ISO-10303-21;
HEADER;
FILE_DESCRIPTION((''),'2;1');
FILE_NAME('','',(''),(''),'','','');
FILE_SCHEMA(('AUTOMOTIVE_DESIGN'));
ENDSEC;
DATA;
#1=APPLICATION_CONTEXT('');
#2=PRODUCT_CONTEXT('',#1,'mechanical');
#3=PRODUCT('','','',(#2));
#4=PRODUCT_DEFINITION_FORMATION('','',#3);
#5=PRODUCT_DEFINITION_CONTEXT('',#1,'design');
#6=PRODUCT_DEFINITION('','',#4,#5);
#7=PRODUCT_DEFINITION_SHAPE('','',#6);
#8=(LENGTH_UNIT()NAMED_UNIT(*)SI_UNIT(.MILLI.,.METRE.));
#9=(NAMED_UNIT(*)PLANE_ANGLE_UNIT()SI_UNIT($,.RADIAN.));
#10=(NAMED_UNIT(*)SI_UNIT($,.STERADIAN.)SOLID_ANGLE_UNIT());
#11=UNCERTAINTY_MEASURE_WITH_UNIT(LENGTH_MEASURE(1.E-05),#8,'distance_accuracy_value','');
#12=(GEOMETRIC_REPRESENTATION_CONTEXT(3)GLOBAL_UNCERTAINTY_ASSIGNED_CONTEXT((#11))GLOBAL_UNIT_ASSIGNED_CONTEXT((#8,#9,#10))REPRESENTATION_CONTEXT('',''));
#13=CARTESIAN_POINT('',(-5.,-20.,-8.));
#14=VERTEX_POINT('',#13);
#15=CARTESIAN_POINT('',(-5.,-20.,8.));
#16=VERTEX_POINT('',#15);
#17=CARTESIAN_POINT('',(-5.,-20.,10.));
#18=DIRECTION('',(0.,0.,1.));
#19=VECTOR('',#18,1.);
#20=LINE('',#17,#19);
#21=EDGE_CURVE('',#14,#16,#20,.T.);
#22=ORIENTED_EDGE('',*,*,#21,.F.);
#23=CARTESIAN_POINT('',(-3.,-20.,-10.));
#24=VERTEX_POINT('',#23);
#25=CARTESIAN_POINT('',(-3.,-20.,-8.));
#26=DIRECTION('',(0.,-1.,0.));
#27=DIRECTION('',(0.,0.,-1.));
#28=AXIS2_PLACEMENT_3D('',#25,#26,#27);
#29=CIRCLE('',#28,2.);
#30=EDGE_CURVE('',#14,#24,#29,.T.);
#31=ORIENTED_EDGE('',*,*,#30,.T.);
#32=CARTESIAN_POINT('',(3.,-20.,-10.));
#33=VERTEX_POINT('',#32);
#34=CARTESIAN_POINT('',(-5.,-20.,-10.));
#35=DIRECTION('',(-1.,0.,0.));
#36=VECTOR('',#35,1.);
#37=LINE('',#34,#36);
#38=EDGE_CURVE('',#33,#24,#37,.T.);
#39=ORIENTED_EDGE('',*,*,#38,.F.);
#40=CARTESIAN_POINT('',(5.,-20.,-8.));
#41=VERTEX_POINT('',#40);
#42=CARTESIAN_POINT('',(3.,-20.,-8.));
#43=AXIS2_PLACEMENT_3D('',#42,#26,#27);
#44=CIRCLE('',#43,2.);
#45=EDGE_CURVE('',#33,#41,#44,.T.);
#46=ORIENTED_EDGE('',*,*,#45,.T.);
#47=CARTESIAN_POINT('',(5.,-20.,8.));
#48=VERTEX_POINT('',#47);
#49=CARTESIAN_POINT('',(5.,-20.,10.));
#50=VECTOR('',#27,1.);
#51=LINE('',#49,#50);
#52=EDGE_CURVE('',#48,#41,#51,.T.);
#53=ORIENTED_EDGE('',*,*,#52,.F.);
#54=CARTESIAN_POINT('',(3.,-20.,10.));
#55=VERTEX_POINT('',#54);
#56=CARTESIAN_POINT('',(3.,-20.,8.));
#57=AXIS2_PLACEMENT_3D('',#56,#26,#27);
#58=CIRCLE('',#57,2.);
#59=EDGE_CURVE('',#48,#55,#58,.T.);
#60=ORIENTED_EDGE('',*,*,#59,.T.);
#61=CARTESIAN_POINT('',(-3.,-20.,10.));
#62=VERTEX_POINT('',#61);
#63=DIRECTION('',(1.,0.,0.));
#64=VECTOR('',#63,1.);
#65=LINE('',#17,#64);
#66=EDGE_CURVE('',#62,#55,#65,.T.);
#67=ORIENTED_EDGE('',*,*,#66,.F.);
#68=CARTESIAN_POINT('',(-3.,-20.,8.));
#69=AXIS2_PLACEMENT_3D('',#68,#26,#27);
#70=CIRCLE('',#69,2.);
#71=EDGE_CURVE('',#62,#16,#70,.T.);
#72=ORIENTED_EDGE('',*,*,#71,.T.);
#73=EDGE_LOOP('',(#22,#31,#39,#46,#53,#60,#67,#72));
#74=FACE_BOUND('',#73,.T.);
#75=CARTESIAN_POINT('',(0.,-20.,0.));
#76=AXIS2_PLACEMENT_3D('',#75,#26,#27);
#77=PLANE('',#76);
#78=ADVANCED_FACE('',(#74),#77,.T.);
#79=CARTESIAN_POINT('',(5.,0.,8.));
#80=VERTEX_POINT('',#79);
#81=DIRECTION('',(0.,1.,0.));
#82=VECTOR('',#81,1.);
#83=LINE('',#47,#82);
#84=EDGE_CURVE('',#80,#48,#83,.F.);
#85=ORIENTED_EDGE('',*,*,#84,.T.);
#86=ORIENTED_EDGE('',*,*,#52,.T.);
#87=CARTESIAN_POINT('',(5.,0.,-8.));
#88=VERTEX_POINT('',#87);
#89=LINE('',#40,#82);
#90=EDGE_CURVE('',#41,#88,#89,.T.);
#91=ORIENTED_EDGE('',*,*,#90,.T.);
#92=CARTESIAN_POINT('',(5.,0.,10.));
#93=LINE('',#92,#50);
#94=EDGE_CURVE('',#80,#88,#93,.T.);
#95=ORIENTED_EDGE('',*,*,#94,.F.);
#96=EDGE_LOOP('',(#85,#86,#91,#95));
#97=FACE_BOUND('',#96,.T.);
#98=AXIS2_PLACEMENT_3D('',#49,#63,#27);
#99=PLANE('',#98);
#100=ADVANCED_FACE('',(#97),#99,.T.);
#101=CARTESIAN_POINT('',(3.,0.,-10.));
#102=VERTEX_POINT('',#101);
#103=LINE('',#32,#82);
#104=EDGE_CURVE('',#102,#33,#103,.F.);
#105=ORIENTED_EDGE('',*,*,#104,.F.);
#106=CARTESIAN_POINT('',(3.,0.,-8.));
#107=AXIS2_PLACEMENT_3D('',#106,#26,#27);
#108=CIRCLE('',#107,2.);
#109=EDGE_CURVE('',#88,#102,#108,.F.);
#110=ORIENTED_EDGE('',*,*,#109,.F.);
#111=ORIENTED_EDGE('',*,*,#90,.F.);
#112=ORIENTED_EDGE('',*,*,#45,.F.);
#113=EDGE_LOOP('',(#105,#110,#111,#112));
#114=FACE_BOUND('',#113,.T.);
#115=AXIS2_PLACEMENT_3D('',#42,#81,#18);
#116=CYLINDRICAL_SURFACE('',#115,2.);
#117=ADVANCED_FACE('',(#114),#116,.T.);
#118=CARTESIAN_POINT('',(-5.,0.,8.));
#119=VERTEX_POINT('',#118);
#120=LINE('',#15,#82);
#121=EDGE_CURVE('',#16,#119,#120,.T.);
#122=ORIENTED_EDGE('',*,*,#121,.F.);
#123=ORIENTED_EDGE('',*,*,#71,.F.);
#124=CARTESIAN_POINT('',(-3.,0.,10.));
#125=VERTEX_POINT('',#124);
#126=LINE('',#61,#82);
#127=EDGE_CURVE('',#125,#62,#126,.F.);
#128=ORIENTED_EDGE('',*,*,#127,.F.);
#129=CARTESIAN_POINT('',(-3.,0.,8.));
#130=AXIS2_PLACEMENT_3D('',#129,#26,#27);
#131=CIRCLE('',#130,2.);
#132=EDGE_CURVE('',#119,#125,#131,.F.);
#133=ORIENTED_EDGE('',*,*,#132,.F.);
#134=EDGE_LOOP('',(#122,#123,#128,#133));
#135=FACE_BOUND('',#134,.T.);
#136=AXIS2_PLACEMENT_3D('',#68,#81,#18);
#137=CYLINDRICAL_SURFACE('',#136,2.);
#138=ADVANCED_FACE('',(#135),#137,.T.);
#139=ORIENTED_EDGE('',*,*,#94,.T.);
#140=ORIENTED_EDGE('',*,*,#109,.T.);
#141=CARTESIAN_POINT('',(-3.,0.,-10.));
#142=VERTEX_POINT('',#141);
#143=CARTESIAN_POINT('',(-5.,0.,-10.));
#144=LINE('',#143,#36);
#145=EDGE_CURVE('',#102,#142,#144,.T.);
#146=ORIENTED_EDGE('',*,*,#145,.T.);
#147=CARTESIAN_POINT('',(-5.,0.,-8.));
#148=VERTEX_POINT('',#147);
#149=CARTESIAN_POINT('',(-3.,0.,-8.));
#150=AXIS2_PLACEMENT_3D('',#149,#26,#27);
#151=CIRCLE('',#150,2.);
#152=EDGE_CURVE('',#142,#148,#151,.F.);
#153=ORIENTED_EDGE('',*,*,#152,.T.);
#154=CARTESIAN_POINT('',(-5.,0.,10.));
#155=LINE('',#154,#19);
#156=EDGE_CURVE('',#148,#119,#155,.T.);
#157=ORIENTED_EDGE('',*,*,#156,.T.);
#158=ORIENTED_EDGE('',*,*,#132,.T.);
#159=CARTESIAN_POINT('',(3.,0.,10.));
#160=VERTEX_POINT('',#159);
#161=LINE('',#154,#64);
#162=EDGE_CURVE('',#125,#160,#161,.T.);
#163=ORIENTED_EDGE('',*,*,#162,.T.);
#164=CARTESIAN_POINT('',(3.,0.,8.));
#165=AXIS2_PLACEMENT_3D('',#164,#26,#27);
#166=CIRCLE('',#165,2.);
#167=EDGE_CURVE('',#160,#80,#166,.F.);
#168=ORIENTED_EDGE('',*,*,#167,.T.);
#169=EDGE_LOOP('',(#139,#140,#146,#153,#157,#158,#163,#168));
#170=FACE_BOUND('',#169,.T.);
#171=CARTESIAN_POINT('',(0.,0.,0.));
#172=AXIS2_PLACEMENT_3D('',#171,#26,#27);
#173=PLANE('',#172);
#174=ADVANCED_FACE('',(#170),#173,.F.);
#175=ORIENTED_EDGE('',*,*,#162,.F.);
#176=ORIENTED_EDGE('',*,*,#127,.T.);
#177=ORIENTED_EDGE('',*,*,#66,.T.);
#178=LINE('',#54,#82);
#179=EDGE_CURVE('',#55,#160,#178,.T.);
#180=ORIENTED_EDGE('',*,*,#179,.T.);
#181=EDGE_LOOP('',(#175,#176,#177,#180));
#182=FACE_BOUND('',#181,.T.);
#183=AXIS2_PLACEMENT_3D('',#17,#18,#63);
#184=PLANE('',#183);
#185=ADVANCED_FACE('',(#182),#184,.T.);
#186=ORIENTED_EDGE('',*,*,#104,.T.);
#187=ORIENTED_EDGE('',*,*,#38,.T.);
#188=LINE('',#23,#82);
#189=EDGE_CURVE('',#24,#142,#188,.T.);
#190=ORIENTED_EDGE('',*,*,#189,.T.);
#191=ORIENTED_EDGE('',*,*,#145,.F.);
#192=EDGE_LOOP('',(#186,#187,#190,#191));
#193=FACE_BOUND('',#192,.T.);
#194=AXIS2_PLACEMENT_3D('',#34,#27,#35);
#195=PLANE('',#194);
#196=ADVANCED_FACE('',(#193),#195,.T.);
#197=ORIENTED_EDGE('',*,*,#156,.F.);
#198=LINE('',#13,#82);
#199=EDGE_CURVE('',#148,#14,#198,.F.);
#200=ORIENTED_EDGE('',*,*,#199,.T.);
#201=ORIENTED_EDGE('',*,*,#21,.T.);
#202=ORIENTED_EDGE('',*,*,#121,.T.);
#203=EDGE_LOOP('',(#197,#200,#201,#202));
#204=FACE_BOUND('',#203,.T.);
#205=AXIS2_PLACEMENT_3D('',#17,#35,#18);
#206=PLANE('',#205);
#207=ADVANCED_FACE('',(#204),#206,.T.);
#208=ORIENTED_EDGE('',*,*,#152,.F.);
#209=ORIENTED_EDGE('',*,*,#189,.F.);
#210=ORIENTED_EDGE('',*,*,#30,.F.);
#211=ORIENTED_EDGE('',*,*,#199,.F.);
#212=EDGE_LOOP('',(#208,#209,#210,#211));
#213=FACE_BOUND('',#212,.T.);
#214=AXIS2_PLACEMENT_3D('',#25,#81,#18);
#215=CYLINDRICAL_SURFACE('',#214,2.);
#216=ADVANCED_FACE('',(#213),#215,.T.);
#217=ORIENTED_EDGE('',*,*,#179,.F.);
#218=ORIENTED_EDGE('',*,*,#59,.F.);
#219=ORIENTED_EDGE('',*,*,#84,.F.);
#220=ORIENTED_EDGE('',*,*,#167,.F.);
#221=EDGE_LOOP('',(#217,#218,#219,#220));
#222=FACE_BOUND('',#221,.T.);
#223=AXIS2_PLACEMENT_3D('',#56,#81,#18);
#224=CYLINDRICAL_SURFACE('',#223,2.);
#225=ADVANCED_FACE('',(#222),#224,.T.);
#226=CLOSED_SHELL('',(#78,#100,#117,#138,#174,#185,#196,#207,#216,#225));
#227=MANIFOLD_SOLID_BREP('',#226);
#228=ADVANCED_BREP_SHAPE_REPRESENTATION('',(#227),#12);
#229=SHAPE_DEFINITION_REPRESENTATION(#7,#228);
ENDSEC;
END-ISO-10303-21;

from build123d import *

# Parameters (mm, degrees)
SRECTANGLE_W     = 10
SRECTANGLE_H     = 20
FRECTANGLE_DEPTH = 20
FRRECTANGLE_R    = 2


with BuildPart() as part:
    # SRectangle → FRectangle (new body)
    with BuildSketch(Plane(origin=(0, 0, 0), x_dir=(1, 0, 0), z_dir=(0, 1, 0))):
        Rectangle(SRECTANGLE_W, SRECTANGLE_H)
    extrude(amount=-FRECTANGLE_DEPTH)

    # FRRectangle
    frrectangle_edges = [part.edges().sort_by_distance(p)[0] for p in [
        (5, -10, 10),
        (-5, -10, 10),
        (-5, -10, -10),
        (5, -10, -10),
    ]]
    fillet(frrectangle_edges, radius=FRRECTANGLE_R)


solid = part.part
